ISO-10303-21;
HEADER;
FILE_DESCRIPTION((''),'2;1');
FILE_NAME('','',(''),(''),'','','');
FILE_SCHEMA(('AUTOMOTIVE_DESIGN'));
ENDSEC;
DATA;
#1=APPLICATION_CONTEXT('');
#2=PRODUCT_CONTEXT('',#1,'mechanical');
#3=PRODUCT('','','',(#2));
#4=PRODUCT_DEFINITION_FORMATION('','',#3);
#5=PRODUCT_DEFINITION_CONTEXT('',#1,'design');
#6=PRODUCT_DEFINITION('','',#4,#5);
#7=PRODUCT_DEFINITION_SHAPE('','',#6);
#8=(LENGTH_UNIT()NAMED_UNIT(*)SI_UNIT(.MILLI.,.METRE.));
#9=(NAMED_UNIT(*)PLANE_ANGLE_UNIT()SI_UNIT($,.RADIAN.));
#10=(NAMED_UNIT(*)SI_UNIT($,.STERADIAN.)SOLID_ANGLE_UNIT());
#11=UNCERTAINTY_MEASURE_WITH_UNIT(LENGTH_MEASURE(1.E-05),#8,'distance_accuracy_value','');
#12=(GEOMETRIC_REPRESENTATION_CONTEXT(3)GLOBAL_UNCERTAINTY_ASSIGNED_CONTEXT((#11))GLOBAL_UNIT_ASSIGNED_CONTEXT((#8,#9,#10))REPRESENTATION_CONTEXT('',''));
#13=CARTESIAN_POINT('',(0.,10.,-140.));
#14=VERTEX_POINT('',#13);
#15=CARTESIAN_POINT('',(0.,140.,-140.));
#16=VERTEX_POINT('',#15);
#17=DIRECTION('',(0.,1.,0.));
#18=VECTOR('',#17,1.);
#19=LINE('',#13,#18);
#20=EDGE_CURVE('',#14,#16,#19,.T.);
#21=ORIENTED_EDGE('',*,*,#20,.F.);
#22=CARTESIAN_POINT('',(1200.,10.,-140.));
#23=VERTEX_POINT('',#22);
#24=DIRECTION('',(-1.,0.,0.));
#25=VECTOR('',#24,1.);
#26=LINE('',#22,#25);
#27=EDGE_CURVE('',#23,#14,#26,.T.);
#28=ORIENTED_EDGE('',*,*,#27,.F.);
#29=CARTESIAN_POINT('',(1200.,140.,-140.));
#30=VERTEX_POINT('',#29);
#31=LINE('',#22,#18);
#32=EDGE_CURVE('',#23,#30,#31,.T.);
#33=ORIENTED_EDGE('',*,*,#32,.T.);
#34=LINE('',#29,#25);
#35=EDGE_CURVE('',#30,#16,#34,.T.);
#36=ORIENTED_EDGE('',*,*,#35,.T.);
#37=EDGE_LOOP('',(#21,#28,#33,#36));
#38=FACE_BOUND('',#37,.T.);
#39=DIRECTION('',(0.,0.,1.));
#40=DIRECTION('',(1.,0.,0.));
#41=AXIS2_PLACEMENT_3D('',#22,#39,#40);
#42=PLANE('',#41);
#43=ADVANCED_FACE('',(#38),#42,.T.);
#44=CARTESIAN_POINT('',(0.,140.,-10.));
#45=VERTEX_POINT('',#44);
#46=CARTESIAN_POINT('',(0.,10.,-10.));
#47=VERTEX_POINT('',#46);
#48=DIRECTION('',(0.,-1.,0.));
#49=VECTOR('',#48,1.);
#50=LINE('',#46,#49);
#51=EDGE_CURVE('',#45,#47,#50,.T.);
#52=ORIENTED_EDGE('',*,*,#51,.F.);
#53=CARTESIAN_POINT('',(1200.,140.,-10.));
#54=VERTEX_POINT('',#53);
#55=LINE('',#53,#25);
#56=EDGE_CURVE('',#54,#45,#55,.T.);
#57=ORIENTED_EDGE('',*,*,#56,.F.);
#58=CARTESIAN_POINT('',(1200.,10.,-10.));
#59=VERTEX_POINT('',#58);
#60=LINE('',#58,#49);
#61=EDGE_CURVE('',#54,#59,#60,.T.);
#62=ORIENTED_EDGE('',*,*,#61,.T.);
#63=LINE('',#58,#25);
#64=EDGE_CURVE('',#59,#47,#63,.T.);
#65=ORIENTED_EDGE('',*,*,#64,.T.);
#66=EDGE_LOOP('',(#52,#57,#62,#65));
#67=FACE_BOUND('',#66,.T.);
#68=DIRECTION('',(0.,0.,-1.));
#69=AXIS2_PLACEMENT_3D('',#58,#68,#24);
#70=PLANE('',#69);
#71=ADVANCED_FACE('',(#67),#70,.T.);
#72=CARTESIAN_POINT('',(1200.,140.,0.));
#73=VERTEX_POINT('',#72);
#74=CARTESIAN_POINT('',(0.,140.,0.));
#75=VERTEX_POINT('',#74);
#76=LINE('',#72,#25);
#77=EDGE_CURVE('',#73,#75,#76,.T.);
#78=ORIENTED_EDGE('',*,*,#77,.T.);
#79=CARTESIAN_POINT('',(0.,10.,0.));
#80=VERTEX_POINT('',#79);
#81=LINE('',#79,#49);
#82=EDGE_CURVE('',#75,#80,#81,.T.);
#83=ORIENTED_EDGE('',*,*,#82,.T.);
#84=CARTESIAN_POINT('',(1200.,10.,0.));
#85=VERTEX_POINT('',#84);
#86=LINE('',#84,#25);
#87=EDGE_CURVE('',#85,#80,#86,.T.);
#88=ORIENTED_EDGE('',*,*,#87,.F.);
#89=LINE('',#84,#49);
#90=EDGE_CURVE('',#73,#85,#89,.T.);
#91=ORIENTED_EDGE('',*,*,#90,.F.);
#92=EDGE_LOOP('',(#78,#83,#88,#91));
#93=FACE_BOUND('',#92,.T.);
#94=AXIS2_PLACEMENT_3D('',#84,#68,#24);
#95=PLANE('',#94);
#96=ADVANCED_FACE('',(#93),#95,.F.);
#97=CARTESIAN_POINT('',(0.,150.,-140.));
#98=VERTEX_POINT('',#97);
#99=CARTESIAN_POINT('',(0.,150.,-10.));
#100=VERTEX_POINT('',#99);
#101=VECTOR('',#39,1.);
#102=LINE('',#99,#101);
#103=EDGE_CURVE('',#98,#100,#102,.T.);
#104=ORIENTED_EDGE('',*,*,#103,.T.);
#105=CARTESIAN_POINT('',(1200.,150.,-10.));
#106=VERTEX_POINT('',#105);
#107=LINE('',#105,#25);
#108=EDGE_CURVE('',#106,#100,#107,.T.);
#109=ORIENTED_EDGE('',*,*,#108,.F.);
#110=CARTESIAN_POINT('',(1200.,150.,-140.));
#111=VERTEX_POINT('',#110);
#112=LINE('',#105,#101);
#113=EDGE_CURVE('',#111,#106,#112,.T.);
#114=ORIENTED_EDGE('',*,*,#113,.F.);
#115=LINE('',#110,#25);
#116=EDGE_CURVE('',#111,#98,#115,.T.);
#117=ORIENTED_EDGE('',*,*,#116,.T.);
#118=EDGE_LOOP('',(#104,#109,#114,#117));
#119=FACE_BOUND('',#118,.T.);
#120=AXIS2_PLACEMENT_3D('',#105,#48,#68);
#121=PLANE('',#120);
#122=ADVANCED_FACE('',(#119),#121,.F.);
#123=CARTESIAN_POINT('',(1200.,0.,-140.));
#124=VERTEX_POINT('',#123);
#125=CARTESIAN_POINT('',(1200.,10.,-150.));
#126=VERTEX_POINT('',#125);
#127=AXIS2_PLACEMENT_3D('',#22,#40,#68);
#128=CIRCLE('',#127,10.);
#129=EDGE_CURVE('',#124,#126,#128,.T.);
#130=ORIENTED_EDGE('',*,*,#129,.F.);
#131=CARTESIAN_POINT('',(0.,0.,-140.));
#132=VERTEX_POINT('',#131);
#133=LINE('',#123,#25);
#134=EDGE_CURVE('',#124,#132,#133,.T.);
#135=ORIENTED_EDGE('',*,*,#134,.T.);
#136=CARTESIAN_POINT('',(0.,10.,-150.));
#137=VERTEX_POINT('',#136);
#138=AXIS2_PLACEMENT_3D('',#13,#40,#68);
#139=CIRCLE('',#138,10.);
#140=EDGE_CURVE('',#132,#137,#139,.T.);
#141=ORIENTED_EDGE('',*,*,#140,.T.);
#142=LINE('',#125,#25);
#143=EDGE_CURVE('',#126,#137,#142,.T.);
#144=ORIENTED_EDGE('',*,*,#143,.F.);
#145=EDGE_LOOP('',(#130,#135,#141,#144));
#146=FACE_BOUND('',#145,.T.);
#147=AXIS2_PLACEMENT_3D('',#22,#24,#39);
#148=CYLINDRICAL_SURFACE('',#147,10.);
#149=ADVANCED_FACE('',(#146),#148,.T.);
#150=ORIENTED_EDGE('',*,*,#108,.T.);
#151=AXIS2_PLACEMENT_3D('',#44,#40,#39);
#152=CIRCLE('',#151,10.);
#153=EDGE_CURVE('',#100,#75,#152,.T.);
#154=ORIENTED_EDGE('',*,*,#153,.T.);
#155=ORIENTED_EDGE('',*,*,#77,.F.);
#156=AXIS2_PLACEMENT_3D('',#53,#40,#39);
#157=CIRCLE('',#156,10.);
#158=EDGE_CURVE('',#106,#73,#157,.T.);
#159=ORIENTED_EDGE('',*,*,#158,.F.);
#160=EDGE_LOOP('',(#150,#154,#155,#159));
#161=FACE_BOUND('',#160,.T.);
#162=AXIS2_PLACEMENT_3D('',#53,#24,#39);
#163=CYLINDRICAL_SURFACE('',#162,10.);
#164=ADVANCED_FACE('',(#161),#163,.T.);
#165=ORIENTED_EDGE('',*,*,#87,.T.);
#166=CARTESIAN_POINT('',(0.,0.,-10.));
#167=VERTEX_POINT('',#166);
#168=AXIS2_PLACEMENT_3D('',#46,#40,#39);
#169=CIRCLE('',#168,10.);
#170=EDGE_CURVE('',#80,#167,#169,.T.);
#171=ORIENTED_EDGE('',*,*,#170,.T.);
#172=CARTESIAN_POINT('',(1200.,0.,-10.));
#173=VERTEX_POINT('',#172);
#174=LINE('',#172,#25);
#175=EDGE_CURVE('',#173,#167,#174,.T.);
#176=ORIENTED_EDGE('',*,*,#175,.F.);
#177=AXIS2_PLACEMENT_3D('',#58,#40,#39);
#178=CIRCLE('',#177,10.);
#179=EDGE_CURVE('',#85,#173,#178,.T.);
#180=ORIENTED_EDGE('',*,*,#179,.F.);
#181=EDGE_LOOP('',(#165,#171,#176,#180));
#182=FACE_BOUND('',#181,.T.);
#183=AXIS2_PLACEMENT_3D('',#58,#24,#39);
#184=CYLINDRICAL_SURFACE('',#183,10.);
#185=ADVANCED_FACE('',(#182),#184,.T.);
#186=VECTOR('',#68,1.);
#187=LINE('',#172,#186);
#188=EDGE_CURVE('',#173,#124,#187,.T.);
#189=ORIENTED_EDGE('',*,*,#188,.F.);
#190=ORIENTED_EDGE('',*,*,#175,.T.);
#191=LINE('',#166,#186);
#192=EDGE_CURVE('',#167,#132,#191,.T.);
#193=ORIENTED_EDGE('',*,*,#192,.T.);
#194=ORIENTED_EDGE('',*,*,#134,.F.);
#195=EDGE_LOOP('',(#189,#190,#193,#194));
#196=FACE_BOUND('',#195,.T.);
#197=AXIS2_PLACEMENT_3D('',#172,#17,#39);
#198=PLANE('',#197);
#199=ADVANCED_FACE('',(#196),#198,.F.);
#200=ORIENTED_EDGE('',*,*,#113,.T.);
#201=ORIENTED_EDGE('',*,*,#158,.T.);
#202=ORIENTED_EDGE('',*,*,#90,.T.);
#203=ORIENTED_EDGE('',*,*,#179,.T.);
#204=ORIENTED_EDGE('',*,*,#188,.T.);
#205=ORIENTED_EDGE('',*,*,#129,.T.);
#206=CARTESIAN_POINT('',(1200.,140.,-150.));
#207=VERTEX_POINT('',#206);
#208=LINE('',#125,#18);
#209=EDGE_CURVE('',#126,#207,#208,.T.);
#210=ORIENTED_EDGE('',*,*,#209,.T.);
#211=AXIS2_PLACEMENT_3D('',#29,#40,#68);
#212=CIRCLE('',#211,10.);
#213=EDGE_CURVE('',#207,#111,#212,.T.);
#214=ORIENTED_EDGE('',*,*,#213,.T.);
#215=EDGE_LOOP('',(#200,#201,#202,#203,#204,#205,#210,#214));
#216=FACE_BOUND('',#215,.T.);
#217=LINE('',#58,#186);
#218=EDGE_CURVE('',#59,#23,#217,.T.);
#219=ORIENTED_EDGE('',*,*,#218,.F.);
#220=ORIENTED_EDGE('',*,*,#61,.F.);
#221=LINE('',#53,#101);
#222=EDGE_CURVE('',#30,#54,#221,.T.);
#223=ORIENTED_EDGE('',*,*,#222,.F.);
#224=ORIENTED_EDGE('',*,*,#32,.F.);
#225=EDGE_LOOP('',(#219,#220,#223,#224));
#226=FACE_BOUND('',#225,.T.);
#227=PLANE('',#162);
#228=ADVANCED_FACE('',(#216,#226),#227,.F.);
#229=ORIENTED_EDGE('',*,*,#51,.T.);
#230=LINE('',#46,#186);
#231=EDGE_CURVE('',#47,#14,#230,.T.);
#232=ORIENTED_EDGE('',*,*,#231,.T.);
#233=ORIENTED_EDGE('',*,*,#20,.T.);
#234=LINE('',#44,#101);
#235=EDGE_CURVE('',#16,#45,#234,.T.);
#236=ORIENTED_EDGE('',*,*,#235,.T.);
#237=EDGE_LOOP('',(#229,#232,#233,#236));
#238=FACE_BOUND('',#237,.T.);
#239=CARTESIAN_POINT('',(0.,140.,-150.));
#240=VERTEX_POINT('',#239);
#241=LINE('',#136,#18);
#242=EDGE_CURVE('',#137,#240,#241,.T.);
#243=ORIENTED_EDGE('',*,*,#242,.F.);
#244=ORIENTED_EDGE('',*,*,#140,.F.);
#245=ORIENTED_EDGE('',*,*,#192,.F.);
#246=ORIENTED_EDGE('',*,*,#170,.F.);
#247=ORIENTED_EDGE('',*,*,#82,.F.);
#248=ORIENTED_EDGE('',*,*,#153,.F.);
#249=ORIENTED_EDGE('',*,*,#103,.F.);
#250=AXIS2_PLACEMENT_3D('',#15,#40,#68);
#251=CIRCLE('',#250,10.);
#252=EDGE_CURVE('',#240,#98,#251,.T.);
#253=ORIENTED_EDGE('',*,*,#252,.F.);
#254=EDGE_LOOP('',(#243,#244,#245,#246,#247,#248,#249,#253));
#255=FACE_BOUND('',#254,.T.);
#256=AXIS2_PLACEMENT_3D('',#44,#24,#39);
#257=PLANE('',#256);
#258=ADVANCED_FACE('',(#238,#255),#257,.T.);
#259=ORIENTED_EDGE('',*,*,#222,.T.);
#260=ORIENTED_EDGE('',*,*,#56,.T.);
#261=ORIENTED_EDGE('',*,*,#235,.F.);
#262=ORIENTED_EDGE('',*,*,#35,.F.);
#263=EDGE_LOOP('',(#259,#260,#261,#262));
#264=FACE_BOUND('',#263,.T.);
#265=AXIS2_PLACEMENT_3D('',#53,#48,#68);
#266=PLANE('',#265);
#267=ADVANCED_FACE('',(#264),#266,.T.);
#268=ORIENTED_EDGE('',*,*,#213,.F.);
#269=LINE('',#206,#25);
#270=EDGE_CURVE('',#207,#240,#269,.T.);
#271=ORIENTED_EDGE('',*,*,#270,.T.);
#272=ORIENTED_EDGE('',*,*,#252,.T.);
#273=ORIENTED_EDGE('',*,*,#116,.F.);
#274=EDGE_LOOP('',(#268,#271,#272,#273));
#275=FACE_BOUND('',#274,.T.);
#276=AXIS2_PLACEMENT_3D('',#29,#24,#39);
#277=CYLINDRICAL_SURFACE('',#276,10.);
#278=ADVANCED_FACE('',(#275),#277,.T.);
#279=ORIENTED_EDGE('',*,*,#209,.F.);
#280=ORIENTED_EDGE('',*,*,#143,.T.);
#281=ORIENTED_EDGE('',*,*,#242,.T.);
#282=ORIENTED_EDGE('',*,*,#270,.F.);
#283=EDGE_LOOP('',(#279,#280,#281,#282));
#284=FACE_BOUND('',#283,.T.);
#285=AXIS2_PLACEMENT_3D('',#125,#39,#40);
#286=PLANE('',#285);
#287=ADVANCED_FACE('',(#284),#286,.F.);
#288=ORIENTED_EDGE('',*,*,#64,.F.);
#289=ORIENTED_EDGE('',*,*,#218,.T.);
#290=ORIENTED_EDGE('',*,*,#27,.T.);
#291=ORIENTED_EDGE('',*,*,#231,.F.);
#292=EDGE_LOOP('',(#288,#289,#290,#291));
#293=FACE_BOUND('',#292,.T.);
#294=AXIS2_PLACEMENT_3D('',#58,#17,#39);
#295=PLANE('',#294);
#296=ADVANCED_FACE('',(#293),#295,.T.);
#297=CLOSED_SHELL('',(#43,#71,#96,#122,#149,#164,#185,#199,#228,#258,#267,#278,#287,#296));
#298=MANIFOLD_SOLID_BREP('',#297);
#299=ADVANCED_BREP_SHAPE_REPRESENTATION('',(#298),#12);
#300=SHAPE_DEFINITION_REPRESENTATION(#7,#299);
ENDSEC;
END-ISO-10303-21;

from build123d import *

# Parameters (mm, degrees)
SKETCH1_W      = 130
SKETCH1_H      = 130
EXTRUDE1_DEPTH = 1200


with BuildPart() as part:
    # Sketch1 → Extrude1 (new body)
    with BuildSketch(Plane(origin=(0, 0, 0), x_dir=(0, 0, -1), z_dir=(1, 0, 0))):
        with BuildLine():
            Line((10, 0), (140, 0))
            ThreePointArc((140, 0), (147.071067812, 2.928932188), (150, 10))
            Line((150, 10), (150, 140))
            ThreePointArc((150, 140), (147.071067812, 147.071067812), (140, 150))
            Line((140, 150), (10, 150))
            ThreePointArc((10, 150), (2.928932188, 147.071067812), (0, 140))
            Line((0, 140), (0, 10))
            ThreePointArc((0, 10), (2.928932188, 2.928932188), (10, 0))
        make_face()
        with Locations((75, 75)):
            Rectangle(SKETCH1_W, SKETCH1_H, mode=Mode.SUBTRACT)
    extrude(amount=EXTRUDE1_DEPTH)


solid = part.part
